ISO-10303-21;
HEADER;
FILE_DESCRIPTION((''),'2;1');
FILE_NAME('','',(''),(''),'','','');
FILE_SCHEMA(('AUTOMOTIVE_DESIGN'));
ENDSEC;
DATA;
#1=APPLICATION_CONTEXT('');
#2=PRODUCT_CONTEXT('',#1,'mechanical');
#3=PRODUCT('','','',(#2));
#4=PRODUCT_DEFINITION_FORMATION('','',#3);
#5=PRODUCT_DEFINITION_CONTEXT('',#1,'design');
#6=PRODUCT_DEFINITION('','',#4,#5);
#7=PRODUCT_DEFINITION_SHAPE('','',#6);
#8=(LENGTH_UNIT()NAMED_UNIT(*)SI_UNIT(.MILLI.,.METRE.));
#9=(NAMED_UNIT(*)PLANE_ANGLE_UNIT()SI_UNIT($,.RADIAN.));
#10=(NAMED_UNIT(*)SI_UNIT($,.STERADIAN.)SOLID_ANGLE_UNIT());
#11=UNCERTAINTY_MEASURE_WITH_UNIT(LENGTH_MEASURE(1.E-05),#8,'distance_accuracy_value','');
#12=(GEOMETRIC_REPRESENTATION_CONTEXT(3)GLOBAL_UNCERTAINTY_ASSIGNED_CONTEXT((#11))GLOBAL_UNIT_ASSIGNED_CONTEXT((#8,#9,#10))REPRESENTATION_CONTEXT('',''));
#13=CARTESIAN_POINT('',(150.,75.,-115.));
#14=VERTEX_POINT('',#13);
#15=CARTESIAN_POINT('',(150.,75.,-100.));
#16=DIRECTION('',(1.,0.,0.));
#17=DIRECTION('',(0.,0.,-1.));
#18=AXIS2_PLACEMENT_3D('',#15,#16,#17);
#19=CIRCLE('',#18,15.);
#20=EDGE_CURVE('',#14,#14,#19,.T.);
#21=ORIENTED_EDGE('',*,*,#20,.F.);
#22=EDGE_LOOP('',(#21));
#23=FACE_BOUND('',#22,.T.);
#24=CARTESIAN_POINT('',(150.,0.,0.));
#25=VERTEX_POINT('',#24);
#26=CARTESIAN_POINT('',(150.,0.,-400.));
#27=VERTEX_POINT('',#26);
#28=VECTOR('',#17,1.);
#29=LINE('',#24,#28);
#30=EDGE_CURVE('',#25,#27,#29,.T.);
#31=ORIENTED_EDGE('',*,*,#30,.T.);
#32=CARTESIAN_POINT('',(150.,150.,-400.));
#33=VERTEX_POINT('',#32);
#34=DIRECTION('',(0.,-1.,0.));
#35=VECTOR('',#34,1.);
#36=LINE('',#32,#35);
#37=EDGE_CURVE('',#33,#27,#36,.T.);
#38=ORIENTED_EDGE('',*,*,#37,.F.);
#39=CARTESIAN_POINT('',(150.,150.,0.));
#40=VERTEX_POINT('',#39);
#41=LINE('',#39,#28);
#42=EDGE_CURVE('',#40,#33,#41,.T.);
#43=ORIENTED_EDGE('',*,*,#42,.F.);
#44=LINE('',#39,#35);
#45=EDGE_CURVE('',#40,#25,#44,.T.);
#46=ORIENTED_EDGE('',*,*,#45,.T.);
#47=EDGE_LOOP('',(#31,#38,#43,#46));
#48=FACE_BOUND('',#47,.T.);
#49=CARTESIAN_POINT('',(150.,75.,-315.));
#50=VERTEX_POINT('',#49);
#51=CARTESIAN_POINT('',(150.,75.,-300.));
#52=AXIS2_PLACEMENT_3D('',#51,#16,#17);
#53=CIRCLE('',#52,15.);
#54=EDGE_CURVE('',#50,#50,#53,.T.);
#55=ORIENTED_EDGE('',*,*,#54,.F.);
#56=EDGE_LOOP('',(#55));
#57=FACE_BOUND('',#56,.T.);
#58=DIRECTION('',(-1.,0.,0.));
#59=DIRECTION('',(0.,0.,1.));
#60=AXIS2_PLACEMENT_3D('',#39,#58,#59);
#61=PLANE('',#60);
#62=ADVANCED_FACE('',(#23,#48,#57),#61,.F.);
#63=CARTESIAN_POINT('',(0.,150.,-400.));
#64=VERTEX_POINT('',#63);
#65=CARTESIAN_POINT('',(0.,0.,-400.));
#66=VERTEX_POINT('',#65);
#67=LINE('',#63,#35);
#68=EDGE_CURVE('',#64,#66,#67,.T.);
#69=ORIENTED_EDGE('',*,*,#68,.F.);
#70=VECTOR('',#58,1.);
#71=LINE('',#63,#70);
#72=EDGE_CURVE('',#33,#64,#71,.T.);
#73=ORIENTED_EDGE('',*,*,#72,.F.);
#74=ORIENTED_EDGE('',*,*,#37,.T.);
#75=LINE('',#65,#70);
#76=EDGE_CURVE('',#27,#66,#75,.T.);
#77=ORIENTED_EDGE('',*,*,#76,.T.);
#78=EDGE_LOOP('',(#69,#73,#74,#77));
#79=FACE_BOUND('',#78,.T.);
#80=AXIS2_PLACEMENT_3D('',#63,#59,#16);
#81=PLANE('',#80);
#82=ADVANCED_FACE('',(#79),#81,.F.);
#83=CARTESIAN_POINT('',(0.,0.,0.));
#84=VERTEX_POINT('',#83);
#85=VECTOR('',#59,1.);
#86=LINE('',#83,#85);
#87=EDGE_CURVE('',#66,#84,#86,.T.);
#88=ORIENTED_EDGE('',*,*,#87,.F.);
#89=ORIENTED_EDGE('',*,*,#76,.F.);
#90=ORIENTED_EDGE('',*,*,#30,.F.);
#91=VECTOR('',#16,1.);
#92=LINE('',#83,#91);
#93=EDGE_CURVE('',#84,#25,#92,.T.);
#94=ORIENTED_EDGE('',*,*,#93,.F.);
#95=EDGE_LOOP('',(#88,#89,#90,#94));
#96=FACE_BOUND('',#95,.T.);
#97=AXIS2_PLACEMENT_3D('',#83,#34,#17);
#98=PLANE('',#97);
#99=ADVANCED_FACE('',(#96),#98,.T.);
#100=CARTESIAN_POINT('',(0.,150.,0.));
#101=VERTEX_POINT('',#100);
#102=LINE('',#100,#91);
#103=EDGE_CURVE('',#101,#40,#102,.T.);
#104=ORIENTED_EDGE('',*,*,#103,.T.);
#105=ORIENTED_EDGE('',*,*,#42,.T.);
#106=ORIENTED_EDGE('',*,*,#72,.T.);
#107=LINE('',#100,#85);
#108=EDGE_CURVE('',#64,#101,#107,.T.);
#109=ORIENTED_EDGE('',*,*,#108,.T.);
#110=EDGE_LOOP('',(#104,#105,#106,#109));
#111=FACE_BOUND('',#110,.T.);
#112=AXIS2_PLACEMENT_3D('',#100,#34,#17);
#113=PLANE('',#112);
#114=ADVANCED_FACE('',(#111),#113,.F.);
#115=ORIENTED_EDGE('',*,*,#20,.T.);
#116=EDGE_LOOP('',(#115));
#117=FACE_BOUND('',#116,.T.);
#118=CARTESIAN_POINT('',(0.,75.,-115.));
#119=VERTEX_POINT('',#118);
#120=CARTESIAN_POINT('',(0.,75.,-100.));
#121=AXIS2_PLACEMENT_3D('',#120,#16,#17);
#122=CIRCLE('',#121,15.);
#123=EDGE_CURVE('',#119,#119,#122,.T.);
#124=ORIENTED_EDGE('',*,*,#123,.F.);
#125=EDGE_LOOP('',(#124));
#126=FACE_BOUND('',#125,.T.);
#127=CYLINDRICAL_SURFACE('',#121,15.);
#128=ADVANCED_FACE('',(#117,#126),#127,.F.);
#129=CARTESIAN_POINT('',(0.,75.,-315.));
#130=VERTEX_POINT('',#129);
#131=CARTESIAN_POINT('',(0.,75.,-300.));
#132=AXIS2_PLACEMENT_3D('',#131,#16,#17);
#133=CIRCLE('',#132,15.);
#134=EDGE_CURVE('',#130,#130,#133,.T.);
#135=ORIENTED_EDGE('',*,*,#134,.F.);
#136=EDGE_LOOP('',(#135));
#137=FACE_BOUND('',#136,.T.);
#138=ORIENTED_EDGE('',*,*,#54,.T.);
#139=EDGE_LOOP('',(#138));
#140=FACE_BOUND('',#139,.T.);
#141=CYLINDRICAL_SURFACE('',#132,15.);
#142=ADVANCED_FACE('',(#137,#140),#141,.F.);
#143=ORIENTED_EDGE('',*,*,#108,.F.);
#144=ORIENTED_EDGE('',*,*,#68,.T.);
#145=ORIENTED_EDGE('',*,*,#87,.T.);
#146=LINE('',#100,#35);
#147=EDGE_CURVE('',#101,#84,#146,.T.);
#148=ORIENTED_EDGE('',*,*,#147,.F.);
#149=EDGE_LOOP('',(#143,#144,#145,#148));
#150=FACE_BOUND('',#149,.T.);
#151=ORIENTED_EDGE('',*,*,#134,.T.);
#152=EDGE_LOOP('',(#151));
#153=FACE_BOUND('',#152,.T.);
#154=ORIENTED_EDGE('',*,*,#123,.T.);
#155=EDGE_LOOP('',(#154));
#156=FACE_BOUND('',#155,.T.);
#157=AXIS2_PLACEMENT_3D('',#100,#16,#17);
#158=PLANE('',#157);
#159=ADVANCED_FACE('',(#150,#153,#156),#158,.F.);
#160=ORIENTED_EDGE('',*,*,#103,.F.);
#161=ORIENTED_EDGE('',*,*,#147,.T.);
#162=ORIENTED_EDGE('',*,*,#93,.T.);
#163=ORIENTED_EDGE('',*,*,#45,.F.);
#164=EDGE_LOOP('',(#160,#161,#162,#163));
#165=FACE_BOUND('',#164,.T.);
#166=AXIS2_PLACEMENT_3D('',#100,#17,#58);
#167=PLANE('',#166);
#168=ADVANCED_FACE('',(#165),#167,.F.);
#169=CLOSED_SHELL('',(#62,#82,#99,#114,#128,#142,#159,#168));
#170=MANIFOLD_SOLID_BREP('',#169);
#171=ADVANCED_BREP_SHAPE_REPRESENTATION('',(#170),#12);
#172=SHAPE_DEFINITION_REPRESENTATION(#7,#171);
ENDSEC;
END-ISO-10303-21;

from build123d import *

# Parameters (mm, degrees)
SKETCH1_W           = 150
SKETCH1_H           = 400
BOSS_EXTRUDE1_DEPTH = 150
SKETCH2_R           = 15
CUT_EXTRUDE1_DEPTH  = 151


with BuildPart() as part:
    # Sketch1 → Boss-Extrude1 (new body)
    with BuildSketch(Plane(origin=(0, 0, 0), x_dir=(1, 0, 0), z_dir=(0, 1, 0))):
        with Locations((75, 200)):
            Rectangle(SKETCH1_W, SKETCH1_H)
    extrude(amount=BOSS_EXTRUDE1_DEPTH)

    # Sketch2 → Cut-Extrude1 (cut, through all)
    with BuildSketch(Plane(origin=(150, 0, 0), x_dir=(0, 0, -1), z_dir=(1, 0, 0))):
        with Locations((300, 75)):
            Circle(SKETCH2_R)
        with Locations((100, 75)):
            Circle(SKETCH2_R)
    extrude(amount=-CUT_EXTRUDE1_DEPTH, mode=Mode.SUBTRACT)


solid = part.part
